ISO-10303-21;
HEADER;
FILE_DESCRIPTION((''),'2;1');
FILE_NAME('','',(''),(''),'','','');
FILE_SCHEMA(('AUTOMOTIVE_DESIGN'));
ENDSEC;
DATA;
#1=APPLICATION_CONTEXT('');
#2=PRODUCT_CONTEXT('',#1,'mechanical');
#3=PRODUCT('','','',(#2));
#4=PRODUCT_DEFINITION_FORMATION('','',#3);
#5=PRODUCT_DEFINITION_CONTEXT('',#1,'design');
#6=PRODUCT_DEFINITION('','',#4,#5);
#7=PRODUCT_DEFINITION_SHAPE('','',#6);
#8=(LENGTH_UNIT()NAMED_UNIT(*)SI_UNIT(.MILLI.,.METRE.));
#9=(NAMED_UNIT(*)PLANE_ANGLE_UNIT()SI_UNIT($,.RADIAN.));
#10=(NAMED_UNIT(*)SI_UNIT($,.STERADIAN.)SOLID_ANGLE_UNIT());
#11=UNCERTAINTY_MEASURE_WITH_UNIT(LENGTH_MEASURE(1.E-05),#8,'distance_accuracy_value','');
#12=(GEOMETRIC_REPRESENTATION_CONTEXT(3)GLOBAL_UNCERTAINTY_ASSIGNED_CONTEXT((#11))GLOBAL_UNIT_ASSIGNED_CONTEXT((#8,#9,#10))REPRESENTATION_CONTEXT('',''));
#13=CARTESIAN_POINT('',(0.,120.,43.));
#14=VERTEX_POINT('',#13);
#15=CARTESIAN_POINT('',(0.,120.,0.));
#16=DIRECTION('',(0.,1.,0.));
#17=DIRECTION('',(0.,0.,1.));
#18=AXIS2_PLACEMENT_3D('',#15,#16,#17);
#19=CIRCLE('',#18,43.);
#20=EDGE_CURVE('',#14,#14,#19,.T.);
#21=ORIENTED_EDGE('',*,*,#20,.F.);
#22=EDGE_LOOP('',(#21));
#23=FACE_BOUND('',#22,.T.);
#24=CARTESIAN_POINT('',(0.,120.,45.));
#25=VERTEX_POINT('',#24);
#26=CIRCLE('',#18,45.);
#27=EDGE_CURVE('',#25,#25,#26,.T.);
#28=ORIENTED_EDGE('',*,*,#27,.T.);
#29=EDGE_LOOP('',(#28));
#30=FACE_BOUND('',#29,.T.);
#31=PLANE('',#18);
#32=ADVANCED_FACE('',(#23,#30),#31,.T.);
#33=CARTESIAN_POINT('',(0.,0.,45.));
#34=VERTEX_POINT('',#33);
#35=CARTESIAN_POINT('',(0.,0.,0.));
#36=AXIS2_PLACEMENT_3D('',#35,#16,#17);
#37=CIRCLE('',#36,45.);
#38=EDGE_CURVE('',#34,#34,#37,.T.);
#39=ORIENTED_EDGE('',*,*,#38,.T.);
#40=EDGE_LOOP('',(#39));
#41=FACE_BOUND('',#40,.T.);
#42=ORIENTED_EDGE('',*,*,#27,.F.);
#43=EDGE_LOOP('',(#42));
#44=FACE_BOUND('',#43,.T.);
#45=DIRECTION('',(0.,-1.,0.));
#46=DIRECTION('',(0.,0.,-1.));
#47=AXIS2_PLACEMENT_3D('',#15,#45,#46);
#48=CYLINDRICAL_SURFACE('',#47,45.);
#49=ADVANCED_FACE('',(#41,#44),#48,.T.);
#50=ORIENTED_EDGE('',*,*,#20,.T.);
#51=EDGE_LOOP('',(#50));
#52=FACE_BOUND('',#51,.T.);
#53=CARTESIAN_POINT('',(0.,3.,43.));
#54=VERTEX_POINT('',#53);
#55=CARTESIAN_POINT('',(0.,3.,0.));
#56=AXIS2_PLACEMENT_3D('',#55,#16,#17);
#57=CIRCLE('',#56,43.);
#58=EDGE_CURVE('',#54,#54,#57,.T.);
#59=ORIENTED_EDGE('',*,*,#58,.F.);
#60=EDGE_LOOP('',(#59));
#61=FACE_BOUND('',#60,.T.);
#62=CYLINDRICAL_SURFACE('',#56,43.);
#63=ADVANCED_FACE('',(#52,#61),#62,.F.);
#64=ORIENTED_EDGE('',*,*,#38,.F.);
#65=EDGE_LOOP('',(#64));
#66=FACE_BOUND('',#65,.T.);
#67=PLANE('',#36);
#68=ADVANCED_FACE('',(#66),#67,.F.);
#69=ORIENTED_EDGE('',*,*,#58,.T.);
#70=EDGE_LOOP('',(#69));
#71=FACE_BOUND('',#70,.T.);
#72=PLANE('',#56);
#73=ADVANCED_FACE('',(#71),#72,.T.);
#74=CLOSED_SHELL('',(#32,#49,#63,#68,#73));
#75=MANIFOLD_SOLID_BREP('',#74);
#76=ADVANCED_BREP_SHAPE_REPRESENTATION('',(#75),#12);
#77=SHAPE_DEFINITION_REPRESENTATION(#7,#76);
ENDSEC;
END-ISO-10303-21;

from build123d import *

# Parameters (mm, degrees)
SKETCH1_R        = 45
JAR_BODY_DEPTH   = 120
JAR_INSIDE_START = 120
SKETCH2_R        = 43
JAR_INSIDE_DEPTH = 117


with BuildPart() as part:
    # Sketch1 → Jar_Body (new body)
    with BuildSketch(Plane(origin=(0, 0, 0), x_dir=(1, 0, 0), z_dir=(0, 1, 0))):
        with Locations(Location((0, 0, 0), (0, 0, 270))):
            Circle(SKETCH1_R)
    extrude(amount=JAR_BODY_DEPTH)

    # Sketch2 → Jar_Inside (cut)
    with BuildSketch(Plane(origin=(0, 0, 0), x_dir=(1, 0, 0), z_dir=(0, 1, 0)).offset(JAR_INSIDE_START)):
        with Locations(Location((0, 0, 0), (0, 0, 270))):
            Circle(SKETCH2_R)
    extrude(amount=-JAR_INSIDE_DEPTH, mode=Mode.SUBTRACT)


solid = part.part
